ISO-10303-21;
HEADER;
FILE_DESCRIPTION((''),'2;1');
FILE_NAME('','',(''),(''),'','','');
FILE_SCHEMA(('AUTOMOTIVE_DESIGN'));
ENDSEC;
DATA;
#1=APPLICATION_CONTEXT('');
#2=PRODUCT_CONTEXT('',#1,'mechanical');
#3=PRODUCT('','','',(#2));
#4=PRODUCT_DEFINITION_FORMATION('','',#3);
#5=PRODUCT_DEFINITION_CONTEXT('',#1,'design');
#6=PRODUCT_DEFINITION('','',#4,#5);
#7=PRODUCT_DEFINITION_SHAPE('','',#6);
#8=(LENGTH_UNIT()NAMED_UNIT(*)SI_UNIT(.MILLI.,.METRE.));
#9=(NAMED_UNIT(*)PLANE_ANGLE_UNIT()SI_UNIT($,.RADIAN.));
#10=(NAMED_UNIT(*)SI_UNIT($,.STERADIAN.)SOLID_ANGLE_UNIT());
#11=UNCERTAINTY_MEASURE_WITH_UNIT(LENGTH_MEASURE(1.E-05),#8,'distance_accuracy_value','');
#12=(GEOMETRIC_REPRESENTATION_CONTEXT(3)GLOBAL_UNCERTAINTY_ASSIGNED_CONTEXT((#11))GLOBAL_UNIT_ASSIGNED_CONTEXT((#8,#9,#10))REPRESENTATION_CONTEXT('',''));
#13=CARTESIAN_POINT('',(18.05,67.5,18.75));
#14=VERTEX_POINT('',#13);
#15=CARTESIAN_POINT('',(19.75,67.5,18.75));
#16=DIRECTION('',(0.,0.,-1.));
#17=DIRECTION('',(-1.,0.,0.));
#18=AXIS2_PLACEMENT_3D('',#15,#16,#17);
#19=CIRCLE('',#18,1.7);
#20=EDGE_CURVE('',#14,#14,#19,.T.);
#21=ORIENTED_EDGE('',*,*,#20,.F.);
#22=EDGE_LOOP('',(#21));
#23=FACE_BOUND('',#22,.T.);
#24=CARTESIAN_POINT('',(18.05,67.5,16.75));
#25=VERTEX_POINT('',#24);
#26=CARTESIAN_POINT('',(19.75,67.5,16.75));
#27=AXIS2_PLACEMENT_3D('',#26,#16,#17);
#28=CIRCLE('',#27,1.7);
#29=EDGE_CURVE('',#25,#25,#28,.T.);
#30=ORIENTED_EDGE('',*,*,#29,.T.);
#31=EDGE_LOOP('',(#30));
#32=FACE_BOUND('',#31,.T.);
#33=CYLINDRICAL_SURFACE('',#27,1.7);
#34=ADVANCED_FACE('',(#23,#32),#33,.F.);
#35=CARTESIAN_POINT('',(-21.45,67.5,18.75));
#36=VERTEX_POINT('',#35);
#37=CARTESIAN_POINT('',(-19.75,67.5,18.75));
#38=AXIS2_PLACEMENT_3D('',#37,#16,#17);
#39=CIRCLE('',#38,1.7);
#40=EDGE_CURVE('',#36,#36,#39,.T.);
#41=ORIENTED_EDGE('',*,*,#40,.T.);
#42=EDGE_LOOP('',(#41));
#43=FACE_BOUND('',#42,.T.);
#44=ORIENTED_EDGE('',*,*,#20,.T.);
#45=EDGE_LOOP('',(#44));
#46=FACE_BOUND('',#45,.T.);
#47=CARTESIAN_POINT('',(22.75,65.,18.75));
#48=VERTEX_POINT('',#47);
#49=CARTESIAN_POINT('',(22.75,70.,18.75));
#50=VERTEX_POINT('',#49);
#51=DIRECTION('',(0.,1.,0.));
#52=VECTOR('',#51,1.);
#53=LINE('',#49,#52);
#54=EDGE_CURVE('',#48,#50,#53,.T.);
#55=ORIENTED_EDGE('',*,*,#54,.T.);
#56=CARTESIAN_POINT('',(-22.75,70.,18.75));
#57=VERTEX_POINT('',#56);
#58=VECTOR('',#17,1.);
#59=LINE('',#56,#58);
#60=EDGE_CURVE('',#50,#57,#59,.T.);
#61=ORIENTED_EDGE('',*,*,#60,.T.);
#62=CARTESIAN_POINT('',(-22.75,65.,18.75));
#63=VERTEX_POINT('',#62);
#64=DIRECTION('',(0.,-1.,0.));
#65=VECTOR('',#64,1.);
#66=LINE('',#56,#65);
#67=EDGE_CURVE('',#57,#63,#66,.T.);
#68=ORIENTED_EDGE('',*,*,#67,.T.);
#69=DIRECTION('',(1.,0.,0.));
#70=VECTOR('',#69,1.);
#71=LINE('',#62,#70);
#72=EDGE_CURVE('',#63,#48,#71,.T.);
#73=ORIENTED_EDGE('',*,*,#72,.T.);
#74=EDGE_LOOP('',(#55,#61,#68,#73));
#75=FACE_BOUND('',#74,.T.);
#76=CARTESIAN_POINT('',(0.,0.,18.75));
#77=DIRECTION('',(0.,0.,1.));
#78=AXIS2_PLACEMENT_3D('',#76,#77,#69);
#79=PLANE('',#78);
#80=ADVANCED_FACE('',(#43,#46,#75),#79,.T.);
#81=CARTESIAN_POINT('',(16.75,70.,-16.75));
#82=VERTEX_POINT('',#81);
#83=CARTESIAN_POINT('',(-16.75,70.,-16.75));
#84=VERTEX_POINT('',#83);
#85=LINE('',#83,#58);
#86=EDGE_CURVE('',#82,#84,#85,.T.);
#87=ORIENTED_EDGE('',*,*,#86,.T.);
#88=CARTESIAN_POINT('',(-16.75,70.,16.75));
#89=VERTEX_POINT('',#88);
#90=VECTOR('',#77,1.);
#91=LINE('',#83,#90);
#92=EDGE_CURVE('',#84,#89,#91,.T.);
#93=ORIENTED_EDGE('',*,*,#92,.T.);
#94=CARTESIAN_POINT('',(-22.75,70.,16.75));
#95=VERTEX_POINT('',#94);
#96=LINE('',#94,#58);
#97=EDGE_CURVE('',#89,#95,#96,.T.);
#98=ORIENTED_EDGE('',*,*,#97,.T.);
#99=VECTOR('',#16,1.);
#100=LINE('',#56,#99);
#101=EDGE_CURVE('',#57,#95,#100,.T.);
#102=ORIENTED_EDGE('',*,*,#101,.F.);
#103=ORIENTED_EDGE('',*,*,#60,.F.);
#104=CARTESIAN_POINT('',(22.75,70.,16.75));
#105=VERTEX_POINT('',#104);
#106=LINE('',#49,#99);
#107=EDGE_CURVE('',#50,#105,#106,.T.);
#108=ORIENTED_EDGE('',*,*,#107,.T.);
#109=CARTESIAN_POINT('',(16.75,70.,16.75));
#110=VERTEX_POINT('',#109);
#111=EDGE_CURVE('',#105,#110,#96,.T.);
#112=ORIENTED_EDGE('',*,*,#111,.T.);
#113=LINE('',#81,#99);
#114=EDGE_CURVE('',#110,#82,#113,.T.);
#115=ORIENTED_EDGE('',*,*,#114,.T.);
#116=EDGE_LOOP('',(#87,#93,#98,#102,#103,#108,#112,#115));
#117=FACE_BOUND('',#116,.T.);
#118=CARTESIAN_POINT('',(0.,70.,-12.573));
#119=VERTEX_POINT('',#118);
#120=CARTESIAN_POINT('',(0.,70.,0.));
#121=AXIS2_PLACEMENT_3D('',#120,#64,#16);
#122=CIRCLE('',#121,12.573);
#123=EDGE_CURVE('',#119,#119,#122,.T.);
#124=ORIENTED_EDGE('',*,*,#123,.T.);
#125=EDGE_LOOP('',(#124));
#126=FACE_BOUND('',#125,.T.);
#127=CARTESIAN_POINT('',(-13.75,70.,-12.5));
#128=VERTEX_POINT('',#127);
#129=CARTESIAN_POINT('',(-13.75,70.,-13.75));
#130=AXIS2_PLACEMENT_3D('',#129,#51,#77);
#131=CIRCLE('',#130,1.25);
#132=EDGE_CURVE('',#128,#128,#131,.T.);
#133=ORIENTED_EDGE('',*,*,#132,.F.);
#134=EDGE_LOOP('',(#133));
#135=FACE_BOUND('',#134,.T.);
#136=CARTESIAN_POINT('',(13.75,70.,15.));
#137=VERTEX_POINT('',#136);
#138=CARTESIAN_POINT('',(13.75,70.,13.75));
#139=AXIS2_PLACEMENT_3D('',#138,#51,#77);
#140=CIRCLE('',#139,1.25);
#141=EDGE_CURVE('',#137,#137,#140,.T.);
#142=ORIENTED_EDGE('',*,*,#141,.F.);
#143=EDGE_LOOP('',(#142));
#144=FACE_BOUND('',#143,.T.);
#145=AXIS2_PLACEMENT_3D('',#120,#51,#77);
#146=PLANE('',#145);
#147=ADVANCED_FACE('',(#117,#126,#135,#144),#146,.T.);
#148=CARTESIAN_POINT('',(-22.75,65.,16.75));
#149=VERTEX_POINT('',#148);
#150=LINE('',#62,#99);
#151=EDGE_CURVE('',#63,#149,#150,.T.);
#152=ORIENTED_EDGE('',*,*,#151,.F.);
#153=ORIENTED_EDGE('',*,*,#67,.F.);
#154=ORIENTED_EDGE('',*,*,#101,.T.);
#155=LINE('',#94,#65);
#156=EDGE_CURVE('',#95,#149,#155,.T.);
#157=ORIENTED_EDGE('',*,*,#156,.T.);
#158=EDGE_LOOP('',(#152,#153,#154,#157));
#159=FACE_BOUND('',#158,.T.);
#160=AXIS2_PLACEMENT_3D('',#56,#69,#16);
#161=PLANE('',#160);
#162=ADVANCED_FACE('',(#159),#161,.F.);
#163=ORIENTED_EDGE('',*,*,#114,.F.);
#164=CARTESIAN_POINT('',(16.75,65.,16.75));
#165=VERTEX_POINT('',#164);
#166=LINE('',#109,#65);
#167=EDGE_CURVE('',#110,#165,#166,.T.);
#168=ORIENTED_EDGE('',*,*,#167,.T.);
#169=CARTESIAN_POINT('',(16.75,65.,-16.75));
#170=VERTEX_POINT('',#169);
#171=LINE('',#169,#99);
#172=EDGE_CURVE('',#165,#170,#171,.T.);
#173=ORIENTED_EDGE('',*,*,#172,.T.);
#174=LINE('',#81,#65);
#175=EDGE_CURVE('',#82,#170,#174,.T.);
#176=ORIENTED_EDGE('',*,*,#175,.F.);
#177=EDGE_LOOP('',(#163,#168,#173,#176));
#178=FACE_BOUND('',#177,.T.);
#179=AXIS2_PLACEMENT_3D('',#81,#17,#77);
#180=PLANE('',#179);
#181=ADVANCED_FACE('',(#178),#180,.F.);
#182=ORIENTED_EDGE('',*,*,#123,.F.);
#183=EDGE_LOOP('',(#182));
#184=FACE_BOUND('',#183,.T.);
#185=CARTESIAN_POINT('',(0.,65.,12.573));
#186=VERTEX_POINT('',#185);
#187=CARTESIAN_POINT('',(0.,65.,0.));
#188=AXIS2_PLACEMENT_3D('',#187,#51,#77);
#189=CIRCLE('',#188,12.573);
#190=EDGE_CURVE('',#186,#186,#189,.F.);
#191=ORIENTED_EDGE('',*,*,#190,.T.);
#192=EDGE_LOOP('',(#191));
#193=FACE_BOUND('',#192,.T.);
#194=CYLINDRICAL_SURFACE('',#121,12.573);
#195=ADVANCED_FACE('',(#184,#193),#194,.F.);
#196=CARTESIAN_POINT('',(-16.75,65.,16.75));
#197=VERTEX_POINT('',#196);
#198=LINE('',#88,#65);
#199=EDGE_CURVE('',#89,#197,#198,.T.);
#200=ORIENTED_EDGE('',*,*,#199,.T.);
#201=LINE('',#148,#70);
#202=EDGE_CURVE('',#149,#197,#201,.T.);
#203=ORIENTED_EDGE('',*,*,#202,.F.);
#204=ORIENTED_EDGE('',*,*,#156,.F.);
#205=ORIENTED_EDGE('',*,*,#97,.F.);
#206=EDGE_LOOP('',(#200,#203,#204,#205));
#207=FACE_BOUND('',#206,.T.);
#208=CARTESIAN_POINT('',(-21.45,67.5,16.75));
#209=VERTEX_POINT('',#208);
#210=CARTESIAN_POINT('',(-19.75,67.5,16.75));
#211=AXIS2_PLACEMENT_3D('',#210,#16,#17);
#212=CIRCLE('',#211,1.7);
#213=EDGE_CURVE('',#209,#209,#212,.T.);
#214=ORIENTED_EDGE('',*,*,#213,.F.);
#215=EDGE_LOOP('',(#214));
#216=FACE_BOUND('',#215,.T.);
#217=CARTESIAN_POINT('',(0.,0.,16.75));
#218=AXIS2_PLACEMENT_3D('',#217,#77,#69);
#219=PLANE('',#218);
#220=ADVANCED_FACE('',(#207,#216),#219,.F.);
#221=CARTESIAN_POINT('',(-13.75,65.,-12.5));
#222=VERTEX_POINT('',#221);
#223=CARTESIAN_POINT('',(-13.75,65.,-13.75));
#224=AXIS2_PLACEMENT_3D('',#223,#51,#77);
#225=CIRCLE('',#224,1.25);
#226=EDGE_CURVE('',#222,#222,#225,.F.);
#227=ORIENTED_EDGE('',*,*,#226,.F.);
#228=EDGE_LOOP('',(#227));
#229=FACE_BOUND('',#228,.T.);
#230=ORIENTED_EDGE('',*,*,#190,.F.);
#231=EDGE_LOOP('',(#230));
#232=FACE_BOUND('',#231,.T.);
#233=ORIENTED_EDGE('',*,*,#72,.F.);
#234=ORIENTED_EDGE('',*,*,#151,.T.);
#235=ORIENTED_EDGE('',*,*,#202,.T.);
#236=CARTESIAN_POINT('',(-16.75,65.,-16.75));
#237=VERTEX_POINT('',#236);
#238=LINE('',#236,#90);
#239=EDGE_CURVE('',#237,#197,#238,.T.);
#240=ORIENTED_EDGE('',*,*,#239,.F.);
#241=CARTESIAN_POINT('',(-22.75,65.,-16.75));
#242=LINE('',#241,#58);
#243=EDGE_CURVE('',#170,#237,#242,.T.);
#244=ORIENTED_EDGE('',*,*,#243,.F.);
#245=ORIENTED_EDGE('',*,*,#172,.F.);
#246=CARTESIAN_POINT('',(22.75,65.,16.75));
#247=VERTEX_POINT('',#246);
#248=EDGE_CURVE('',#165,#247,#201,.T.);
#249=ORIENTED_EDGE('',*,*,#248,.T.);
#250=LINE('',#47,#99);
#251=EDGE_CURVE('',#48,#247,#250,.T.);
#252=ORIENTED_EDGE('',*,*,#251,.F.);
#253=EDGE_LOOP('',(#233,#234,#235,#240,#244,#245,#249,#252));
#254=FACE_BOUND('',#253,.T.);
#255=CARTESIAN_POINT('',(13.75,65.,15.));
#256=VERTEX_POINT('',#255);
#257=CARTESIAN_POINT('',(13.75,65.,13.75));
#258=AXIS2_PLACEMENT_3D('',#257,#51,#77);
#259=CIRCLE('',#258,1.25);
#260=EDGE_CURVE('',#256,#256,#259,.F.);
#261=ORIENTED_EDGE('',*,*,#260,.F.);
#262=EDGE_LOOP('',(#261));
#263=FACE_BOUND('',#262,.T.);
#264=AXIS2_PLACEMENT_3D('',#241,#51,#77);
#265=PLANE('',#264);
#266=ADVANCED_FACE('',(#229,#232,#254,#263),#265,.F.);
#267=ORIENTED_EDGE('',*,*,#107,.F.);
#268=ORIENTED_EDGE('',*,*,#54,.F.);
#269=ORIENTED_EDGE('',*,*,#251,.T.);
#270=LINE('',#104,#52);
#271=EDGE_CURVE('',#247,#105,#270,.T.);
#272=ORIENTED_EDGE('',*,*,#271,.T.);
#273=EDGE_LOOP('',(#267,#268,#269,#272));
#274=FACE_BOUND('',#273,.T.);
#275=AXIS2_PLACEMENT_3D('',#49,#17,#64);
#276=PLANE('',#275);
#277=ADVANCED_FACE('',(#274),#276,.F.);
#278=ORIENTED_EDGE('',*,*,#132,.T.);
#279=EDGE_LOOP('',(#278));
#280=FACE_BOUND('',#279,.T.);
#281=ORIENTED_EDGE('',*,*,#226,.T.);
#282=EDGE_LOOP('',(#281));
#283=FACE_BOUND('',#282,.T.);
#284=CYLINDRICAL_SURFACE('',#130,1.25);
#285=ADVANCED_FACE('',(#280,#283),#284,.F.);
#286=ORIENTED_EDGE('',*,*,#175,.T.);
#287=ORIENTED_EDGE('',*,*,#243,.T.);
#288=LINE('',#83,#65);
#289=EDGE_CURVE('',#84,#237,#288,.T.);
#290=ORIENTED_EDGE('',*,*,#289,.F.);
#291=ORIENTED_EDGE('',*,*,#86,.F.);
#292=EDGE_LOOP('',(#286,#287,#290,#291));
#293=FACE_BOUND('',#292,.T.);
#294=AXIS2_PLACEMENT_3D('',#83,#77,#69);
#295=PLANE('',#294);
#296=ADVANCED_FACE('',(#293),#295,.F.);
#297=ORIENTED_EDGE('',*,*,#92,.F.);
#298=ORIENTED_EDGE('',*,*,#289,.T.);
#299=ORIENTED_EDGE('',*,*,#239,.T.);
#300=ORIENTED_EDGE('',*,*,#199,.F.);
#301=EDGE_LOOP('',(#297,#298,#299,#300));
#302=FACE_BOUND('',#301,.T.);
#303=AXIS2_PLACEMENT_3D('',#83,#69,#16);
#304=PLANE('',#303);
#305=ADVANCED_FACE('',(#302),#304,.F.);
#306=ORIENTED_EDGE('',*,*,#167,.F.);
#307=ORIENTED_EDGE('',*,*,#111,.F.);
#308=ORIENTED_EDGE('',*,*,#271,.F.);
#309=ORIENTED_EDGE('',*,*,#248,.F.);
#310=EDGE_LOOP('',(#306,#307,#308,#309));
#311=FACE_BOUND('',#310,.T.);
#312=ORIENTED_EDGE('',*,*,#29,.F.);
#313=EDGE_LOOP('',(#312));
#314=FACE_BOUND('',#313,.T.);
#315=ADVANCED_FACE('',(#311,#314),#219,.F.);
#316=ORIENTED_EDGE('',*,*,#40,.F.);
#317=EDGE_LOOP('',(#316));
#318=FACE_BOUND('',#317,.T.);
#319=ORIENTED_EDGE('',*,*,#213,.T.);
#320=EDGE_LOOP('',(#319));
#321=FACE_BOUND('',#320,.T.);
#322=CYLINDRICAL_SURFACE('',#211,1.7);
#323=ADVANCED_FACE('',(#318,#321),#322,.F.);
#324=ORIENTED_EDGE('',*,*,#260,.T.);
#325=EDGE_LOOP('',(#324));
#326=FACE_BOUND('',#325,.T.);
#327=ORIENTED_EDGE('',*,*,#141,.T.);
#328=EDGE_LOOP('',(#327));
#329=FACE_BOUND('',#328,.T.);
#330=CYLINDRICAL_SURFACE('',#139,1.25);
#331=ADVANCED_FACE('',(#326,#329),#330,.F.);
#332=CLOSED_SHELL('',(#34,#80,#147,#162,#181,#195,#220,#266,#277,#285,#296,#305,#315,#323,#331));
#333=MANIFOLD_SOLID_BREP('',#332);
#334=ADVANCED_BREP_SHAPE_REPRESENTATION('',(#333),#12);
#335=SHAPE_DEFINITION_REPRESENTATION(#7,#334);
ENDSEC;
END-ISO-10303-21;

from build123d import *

# Parameters (mm, degrees)
SKETCH1_W                     = 33.5
SKETCH1_H                     = 33.5
BOSS_EXTRUDE1_DEPTH           = 70
M3X0_5_TAPPED_HOLE1_D         = 2.5
M3X0_5_TAPPED_HOLE1_DEPTH     = 7.62
M3X0_5_TAPPED_HOLE1_TIP       = 0.751075774
M3X0_5_TAPPED_HOLE2_D         = 2.5
M3X0_5_TAPPED_HOLE2_DEPTH     = 7.62
M3X0_5_TAPPED_HOLE2_TIP       = 0.751075774
SKETCH7_W                     = 6
SKETCH7_H                     = 50
BOSS_EXTRUDE2_DEPTH           = 3
SKETCH8_W                     = 6
SKETCH8_H                     = 50
BOSS_EXTRUDE3_DEPTH           = 3
SKETCH10_W                    = 1.7
SKETCH10_H                    = 33.5
M3_CLEARANCE_HOLE1_AT_2_COUNT = 2
M3_CLEARANCE_HOLE1_AT_2_PITCH = 25
M3_CLEARANCE_HOLE1_AT_3_COUNT = 2
M3_CLEARANCE_HOLE1_AT_3_PITCH = 39.5
M3_CLEARANCE_HOLE1_AT_4_COUNT = 2
M3_CLEARANCE_HOLE1_AT_4_PITCH = 46.746657635
SKETCH11_R                    = 12.573
CUT_EXTRUDE1_DEPTH            = 71
SKETCH12_W                    = 33.5
SKETCH12_H                    = 45
CUT_EXTRUDE2_DEPTH            = 32.5
SKETCH13_W                    = 45.5
SKETCH13_H                    = 70.777616709
CUT_EXTRUDE3_DEPTH            = 34.5
SKETCH14_W                    = 45.5
SKETCH14_H                    = 5
BOSS_EXTRUDE4_DEPTH           = 2
M3_CLEARANCE_HOLE2_D          = 3.4


with BuildPart() as part:
    # Sketch1 → Boss-Extrude1 (new body)
    with BuildSketch(Plane(origin=(0, 0, 0), x_dir=(1, 0, 0), z_dir=(0, 1, 0))):
        Rectangle(SKETCH1_W, SKETCH1_H)
    extrude(amount=BOSS_EXTRUDE1_DEPTH)

    # M3x0.5 Tapped Hole1
    with Locations(Plane(origin=(13.75, 70, 13.75), x_dir=(0, 0, 1), z_dir=(0, 1, 0))):
        with Locations((0, 0), (-27.5, -27.5)):
            Hole(M3X0_5_TAPPED_HOLE1_D / 2, depth=M3X0_5_TAPPED_HOLE1_DEPTH)
            with Locations((0, 0, -(M3X0_5_TAPPED_HOLE1_DEPTH + M3X0_5_TAPPED_HOLE1_TIP / 2))):  # 118° drill point
                Cone(0, M3X0_5_TAPPED_HOLE1_D / 2, M3X0_5_TAPPED_HOLE1_TIP, mode=Mode.SUBTRACT)

    # M3x0.5 Tapped Hole2
    with Locations(Plane(origin=(16.75, 6, 13.75), x_dir=(0, 0, 1), z_dir=(1, 0, 0))):
        with Locations((0, 0), (-27.5, 0)):
            Hole(M3X0_5_TAPPED_HOLE2_D / 2, depth=M3X0_5_TAPPED_HOLE2_DEPTH)
            with Locations((0, 0, -(M3X0_5_TAPPED_HOLE2_DEPTH + M3X0_5_TAPPED_HOLE2_TIP / 2))):  # 118° drill point
                Cone(0, M3X0_5_TAPPED_HOLE2_D / 2, M3X0_5_TAPPED_HOLE2_TIP, mode=Mode.SUBTRACT)

    # Sketch11 → Cut-Extrude1 (cut, through all)
    with BuildSketch(Plane.XZ):
        Circle(SKETCH11_R)
    extrude(amount=-CUT_EXTRUDE1_DEPTH, mode=Mode.SUBTRACT)

    # Sketch12 → Cut-Extrude2 (cut)
    with BuildSketch(Plane.XY.offset(16.75)):
        with Locations((0, 35.5)):
            Rectangle(SKETCH12_W, SKETCH12_H)
    extrude(amount=-CUT_EXTRUDE2_DEPTH, mode=Mode.SUBTRACT)


with BuildPart() as body_2:
    # Sketch7 → Boss-Extrude2 (new body)
    with BuildSketch(Plane(origin=(0, 0, -16.75), x_dir=(-1, 0, 0), z_dir=(0, 0, -1))):
        with Locations((-19.75, 36)):
            Rectangle(SKETCH7_W, SKETCH7_H)
    extrude(amount=-BOSS_EXTRUDE2_DEPTH)

    # Sketch10 → M3 Clearance Hole1 (revolve, cut)
    with BuildSketch(Plane(origin=(19.75, 51, -16.75), x_dir=(0, 1, 0), z_dir=(1, 0, 0))):
        with Locations((0.85, 16.75)):
            Rectangle(SKETCH10_W, SKETCH10_H)
    m3_clearance_hole1 = revolve(axis=Axis((19.75, 51, -23.1), (0, 0, 1)), mode=Mode.SUBTRACT)

    # M3 Clearance Hole1 at 2: M3 Clearance Hole1 ×2
    with Locations(*[(0, -i * M3_CLEARANCE_HOLE1_AT_2_PITCH, 0) for i in range(1, M3_CLEARANCE_HOLE1_AT_2_COUNT)]):
        add(m3_clearance_hole1, mode=Mode.SUBTRACT)


with BuildPart() as body_3:
    # Sketch8 → Boss-Extrude3 (new body)
    with BuildSketch(Plane(origin=(0, 0, -16.75), x_dir=(-1, 0, 0), z_dir=(0, 0, -1))):
        with Locations((19.75, 36)):
            Rectangle(SKETCH8_W, SKETCH8_H)
    extrude(amount=-BOSS_EXTRUDE3_DEPTH)

    # M3 Clearance Hole1 at 3: M3 Clearance Hole1 ×2
    with Locations(*[(-i * M3_CLEARANCE_HOLE1_AT_3_PITCH, 0, 0) for i in range(1, M3_CLEARANCE_HOLE1_AT_3_COUNT)]):
        add(m3_clearance_hole1, mode=Mode.SUBTRACT)

    # M3 Clearance Hole1 at 4: M3 Clearance Hole1 ×2
    with Locations(*[Vector(-0.844980197, -0.534797593, 0) * (i * M3_CLEARANCE_HOLE1_AT_4_PITCH) for i in range(1, M3_CLEARANCE_HOLE1_AT_4_COUNT)]):
        add(m3_clearance_hole1, mode=Mode.SUBTRACT)


with BuildPart() as cut_extrude3_tool:
    # Sketch13 → Cut-Extrude3 (new body, through all)
    with BuildSketch(Plane.XY.offset(16.75)):
        with Locations((0, 29.611191645)):
            Rectangle(SKETCH13_W, SKETCH13_H)
    extrude(amount=-CUT_EXTRUDE3_DEPTH)


with BuildPart() as part_1:
    add(part.part)

    # Cut-Extrude3: cut by cut_extrude3_tool
    add(cut_extrude3_tool.part, mode=Mode.SUBTRACT)

    # Sketch14 → Boss-Extrude4 (add)
    with BuildSketch(Plane.XY.offset(16.75)):
        with Locations((0, 67.5)):
            Rectangle(SKETCH14_W, SKETCH14_H)
    extrude(amount=BOSS_EXTRUDE4_DEPTH)

    # M3 Clearance Hole2 (through all)
    with Locations(Plane(origin=(-19.75, 67.5, 16.75), x_dir=(-1, 0, 0), z_dir=(0, 0, -1))):
        with Locations((0, 0), (-39.5, 0)):
            Hole(M3_CLEARANCE_HOLE2_D / 2)


with BuildPart() as body_2_1:
    add(body_2.part)

    # Cut-Extrude3: cut by cut_extrude3_tool
    add(cut_extrude3_tool.part, mode=Mode.SUBTRACT)


with BuildPart() as body_3_1:
    add(body_3.part)

    # Cut-Extrude3: cut by cut_extrude3_tool
    add(cut_extrude3_tool.part, mode=Mode.SUBTRACT)


solid = part_1.part
